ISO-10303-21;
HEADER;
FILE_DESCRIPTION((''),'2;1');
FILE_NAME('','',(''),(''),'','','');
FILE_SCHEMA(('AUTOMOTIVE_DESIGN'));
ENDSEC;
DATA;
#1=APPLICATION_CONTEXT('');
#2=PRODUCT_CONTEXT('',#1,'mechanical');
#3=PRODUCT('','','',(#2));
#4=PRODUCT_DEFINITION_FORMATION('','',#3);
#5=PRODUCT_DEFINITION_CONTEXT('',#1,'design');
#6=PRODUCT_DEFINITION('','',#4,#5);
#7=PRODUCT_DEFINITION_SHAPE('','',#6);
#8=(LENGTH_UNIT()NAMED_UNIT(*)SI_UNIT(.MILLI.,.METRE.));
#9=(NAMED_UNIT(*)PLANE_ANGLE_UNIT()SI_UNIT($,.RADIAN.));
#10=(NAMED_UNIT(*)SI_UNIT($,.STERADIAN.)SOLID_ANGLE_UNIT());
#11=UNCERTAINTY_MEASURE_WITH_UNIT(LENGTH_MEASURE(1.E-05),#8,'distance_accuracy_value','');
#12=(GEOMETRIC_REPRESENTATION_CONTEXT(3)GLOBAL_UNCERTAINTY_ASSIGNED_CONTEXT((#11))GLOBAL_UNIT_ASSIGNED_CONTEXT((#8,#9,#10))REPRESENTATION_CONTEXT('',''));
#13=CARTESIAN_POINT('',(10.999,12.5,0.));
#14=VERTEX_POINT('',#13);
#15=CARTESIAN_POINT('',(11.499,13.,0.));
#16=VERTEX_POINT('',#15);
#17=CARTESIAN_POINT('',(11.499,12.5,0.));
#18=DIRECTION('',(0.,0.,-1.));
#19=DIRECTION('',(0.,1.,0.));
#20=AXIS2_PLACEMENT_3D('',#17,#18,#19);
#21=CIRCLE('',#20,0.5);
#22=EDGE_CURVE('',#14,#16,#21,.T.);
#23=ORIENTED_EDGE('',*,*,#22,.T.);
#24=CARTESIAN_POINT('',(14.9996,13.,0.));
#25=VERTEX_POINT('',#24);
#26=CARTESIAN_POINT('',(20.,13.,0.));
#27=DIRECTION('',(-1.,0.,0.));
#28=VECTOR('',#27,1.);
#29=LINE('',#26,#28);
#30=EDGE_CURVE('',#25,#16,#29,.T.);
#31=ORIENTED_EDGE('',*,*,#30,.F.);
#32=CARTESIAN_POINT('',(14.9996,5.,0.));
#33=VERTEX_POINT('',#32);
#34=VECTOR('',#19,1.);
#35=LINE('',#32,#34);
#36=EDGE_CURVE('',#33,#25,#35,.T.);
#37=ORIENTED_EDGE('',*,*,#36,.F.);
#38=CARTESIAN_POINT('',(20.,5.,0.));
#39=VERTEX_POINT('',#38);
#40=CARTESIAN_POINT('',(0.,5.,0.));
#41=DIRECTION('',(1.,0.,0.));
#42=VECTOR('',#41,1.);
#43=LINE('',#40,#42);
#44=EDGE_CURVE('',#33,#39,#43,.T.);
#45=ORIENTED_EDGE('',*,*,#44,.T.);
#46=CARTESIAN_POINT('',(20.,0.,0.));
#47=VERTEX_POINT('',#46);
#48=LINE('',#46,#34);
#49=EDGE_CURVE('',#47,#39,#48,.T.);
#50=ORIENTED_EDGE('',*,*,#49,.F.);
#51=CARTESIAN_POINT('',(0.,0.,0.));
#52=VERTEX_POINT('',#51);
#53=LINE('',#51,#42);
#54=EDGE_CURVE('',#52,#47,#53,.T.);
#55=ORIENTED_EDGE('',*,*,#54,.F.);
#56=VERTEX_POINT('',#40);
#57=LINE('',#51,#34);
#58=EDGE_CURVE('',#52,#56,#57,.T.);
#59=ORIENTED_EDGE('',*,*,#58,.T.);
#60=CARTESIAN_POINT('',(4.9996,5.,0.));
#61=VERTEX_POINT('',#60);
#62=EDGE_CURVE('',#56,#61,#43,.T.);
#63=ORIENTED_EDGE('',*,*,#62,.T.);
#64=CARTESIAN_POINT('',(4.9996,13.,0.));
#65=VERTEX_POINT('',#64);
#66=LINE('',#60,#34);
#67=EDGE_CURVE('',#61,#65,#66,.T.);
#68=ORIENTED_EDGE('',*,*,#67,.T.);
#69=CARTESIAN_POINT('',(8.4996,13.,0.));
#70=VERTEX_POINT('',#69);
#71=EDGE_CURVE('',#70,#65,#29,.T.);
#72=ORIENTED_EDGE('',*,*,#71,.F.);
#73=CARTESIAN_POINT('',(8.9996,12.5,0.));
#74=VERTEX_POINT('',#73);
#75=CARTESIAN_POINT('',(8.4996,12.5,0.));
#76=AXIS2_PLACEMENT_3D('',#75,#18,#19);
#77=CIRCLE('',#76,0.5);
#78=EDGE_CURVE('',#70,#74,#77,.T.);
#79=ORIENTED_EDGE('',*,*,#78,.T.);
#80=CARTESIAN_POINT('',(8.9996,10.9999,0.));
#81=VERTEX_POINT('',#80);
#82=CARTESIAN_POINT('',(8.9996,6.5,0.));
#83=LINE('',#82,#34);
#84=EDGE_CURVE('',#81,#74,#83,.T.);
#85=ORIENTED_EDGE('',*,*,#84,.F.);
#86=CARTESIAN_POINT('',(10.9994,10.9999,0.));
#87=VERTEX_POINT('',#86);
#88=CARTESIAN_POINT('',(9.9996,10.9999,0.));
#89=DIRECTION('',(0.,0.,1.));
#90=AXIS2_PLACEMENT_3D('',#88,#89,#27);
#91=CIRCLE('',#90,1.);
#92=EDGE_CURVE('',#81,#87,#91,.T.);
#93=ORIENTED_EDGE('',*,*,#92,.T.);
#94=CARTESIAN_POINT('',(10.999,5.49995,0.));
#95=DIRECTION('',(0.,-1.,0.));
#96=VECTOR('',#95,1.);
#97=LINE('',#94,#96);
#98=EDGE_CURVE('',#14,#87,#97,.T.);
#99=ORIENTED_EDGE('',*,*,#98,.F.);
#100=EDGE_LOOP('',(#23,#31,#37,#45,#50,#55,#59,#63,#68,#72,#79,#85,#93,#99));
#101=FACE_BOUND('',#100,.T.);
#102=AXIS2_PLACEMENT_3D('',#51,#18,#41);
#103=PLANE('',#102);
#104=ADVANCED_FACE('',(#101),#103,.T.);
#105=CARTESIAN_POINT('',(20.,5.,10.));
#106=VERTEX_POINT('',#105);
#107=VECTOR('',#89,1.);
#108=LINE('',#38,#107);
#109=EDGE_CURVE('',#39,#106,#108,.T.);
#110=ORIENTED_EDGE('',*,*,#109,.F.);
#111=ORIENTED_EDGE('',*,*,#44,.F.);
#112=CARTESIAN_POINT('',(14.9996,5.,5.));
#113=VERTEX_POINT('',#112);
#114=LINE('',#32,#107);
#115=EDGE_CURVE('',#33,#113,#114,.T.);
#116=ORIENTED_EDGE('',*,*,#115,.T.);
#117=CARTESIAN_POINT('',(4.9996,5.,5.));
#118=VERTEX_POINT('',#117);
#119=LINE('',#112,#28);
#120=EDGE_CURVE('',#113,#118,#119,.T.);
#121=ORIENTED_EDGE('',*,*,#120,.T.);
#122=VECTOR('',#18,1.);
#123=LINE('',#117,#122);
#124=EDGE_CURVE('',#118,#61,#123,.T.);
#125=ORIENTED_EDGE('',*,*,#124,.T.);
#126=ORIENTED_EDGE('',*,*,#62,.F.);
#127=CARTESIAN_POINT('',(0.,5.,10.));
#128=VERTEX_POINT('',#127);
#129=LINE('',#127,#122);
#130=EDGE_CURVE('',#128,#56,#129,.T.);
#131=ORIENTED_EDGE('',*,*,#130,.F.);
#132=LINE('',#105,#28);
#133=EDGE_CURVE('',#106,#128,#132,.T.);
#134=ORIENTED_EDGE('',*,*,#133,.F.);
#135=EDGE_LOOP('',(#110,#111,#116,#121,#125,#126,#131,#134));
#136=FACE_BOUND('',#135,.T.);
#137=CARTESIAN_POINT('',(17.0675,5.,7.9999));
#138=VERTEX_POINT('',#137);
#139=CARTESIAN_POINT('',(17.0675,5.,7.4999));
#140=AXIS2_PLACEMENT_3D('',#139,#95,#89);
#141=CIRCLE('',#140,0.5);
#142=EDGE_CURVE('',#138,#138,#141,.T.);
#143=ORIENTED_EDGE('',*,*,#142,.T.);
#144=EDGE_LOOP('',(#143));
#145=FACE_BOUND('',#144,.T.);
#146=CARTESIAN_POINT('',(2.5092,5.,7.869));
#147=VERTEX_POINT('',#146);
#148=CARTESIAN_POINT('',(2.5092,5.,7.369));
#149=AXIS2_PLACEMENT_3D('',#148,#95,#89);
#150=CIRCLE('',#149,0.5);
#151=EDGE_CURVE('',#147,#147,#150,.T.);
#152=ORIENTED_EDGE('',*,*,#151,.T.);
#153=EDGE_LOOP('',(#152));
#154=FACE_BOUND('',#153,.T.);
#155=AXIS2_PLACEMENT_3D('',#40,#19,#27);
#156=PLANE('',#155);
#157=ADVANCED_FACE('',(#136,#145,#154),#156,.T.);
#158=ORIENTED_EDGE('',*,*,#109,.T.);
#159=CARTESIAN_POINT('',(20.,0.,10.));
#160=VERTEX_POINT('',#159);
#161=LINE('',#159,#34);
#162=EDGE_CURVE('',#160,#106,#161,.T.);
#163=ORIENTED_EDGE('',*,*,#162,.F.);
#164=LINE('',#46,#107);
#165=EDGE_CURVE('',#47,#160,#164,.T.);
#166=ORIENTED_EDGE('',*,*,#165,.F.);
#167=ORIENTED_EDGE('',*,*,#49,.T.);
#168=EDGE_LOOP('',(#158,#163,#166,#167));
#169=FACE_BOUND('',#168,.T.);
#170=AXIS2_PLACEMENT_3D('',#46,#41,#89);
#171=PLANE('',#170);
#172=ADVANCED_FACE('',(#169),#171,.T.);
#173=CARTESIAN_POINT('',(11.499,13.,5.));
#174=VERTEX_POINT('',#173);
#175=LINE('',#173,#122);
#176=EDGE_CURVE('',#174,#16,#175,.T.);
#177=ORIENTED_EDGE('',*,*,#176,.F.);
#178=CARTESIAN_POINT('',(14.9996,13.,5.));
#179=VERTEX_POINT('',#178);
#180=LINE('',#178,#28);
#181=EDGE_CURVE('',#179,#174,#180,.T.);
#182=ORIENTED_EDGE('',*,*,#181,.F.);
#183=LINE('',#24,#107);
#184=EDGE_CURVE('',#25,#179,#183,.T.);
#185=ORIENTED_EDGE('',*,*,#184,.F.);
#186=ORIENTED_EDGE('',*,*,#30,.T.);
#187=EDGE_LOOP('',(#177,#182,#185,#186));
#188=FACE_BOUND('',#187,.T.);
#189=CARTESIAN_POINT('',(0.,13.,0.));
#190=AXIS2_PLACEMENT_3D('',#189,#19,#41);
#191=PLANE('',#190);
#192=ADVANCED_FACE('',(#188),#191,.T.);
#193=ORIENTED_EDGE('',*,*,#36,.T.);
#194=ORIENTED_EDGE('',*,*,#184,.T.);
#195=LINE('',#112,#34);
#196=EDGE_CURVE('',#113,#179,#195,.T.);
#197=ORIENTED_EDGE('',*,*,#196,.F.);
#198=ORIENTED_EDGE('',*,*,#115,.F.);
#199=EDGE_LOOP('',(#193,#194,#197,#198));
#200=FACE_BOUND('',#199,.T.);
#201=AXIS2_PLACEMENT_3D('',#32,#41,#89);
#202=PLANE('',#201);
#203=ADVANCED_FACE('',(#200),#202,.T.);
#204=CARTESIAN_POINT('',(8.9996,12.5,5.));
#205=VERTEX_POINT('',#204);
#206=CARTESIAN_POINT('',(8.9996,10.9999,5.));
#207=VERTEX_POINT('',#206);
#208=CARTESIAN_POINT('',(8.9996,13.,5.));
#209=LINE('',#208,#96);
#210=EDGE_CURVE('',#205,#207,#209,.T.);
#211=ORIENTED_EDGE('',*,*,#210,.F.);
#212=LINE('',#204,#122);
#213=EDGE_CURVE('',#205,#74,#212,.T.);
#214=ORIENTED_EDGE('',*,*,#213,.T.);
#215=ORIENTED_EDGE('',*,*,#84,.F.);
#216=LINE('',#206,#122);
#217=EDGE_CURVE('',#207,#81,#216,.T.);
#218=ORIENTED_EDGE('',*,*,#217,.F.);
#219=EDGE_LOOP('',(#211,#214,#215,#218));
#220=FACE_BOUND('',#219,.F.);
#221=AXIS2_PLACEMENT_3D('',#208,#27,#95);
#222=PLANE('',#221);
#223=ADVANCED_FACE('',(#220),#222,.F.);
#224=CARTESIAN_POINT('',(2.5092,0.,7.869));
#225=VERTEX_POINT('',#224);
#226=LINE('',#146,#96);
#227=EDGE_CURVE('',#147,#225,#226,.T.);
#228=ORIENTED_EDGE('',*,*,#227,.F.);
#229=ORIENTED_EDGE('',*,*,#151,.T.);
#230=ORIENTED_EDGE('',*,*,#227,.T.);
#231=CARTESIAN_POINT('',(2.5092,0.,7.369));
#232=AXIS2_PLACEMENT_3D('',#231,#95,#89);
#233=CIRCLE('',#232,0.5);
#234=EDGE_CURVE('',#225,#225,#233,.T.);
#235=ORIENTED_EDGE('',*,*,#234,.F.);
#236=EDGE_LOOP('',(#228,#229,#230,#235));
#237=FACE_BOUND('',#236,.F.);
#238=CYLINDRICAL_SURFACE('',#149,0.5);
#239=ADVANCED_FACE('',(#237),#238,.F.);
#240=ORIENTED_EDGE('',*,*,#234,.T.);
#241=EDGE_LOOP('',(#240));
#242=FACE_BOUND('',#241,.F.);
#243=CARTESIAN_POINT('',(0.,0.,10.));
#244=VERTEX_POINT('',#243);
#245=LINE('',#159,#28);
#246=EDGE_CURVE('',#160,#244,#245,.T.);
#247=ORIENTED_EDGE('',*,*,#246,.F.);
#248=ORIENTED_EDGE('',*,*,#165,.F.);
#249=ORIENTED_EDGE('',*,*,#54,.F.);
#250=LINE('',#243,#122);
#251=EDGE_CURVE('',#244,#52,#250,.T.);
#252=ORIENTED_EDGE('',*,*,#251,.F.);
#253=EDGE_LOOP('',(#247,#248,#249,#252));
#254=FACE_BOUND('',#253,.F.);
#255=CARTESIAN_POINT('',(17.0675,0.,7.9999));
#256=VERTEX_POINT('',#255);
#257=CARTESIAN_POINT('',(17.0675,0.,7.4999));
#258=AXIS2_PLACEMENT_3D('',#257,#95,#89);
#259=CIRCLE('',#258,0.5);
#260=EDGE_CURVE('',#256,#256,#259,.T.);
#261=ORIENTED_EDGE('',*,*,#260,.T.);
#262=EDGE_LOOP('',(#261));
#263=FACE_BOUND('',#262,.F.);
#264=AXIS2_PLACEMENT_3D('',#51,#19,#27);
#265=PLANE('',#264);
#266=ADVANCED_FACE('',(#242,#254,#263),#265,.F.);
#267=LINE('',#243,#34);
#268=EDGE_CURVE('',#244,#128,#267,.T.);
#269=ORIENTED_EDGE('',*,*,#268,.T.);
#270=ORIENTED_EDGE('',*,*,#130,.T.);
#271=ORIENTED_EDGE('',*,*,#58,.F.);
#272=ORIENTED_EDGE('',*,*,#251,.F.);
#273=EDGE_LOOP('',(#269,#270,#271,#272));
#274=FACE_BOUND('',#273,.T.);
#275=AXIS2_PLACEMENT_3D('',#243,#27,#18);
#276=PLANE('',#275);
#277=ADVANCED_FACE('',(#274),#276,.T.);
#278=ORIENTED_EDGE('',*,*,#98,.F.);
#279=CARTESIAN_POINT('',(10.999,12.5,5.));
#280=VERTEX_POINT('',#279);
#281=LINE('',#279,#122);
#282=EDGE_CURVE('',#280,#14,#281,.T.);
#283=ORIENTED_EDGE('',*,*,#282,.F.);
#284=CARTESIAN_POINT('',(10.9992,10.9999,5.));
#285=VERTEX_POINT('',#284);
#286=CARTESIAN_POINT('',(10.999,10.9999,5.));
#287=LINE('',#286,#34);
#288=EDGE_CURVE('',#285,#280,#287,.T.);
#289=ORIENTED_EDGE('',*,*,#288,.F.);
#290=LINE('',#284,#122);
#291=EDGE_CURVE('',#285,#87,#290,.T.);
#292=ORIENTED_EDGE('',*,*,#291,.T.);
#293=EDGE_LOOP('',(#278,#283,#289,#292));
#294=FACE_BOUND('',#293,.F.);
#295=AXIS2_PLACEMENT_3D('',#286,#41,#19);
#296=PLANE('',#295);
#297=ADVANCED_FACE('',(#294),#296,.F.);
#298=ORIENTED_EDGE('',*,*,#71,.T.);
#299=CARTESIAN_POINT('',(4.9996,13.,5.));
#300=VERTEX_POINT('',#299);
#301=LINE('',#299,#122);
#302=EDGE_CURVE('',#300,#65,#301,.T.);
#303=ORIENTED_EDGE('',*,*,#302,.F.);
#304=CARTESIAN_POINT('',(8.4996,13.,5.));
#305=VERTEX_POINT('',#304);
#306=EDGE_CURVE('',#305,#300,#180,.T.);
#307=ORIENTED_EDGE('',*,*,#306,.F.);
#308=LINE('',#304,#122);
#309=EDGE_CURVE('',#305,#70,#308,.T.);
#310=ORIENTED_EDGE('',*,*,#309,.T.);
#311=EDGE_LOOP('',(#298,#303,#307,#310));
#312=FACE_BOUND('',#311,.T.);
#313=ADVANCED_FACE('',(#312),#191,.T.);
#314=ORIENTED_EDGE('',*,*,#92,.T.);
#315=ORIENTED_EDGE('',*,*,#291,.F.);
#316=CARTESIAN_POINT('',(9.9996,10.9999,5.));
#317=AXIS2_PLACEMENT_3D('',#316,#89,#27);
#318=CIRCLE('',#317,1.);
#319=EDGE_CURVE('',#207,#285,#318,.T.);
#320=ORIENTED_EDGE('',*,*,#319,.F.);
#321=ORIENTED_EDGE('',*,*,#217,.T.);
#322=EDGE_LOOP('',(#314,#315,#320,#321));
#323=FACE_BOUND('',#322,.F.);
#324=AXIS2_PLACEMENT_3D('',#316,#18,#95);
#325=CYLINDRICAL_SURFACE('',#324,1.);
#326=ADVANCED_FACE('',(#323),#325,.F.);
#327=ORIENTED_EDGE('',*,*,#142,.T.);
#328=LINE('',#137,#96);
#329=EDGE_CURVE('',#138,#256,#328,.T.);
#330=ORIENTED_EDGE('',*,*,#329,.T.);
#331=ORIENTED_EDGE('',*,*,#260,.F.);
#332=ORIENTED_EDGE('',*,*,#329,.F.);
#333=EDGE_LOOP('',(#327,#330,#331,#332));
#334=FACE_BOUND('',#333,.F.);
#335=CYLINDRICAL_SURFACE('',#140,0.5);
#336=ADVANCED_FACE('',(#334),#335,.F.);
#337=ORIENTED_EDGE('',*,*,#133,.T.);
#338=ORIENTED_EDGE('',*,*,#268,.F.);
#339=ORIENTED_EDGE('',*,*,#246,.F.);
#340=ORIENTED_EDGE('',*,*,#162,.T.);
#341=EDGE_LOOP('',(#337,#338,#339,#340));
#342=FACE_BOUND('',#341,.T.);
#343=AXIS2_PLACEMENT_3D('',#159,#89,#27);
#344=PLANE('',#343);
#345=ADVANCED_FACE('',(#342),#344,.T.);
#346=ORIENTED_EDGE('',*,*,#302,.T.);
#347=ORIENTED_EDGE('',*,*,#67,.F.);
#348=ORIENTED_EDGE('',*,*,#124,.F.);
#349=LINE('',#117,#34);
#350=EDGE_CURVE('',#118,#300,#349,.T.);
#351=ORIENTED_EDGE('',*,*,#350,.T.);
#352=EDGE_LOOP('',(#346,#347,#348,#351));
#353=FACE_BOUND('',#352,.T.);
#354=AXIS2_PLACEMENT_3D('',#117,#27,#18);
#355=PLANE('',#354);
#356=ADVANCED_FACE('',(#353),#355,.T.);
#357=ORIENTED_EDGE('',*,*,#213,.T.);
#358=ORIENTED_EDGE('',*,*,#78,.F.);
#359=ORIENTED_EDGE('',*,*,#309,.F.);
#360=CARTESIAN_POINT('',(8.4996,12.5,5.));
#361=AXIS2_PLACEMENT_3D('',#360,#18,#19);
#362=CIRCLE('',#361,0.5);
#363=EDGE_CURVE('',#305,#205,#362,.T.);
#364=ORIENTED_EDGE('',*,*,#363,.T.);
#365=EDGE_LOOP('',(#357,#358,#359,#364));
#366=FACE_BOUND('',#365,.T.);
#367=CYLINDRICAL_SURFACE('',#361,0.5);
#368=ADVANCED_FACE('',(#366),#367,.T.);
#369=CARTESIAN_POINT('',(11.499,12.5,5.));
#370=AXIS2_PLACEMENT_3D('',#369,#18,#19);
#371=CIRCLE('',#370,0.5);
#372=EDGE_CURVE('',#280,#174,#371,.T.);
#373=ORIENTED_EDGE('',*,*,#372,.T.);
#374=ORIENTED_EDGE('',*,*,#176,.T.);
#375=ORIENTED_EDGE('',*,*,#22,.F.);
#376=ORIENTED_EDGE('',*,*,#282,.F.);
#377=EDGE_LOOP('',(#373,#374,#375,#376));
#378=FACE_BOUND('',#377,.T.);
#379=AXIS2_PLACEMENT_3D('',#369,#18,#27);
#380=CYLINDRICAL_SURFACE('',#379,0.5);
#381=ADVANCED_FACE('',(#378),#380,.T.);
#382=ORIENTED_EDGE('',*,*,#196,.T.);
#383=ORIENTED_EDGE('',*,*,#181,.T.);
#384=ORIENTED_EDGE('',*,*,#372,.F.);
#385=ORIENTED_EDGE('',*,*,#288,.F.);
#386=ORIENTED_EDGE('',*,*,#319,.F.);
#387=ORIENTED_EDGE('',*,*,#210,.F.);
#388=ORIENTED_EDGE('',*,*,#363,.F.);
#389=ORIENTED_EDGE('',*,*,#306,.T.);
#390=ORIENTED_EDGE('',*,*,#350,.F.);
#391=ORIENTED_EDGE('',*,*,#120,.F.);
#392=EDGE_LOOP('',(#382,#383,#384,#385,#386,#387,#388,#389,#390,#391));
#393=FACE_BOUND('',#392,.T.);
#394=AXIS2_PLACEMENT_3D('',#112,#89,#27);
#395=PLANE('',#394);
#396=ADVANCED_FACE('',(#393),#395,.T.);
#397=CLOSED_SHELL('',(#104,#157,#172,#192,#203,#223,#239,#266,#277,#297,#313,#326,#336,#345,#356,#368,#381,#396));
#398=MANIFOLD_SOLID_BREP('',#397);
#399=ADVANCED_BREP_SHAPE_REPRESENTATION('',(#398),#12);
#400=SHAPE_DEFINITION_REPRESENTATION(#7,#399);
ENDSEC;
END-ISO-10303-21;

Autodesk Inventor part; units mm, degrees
ref_plane "YZ Plane" through (0, 0, 0) normal (1, 0, 0) x (0, 1, 0)
ref_plane "XZ Plane" through (0, 0, 0) normal (0, 1, 0) x (-1, 0, 0)
ref_plane "XY Plane" through (0, 0, 0) normal (0, 0, 1) x (1, 0, 0)
sketch "Sketch1" plane through (0, 0, 0) normal (0, 1, 0) x (-1, 0, 0)
  line L0 (0, 0) -> (-20, 0)
  line L1 (-20, 0) -> (-20, 10)
  line L2 (-20, 10) -> (0, 10)
  line L3 (0, 10) -> (0, 0)
  dimension "d0" = 20
  dimension "d1" = 10
extrude "Extrusion1" add sketch "Sketch1" along normal blind 5
sketch "Sketch2" plane through (0, 5, 0) normal (0, 1, 0) x (1, 0, 0)
  line L0 (20, 0) -> (0, 0) projected
  line L1 (4.9996, 0) -> (14.9996, 0)
  line L2 (14.9996, 0) -> (14.9996, -5)
  line L3 (14.9996, -5) -> (4.9996, -5)
  line L4 (4.9996, -5) -> (4.9996, 0)
  dimension "d4" = 10
  dimension "d5" = 5
extrude "Extrusion2" add sketch "Sketch2" along normal blind 8
sketch "Sketch3" plane through (0, 13, 0) normal (0, 1, 0) x (1, 0, 0)
  point P0 (0, 0)
sketch "Sketch4" plane through (4.9996, 5, 5) normal (0, 0, 1) x (1, 0, 0)
  circle A0 centre (5, 5.9999) radius 1
  point P0 (-4.9996, -5)
  dimension "d8" = 2
hole "Hole1" at (9.9996, 10.9999, 5) direction (0, 0, -1) diameter 2 end through all
sketch "Sketch5" plane through (4.9996, 5, 5) normal (0, 0, 1) x (1, 0, 0)
  circle A0 centre (5, 5.9999) radius 1 projected
  line L0 (10, 8) -> (0, 8) projected
  line L1 (4, 5.9999) -> (5.9994, 5.9999)
  line L2 (5.9994, 5.9999) -> (5.9994, 8)
  line L3 (5.9994, 8) -> (4, 8)
  line L4 (4, 8) -> (4, 5.9999)
  point P0 (-4.9996, -5)
extrude "Extrusion3" cut sketch "Sketch5" against normal blind 5.6375 contours L1 A0 | A0 L4 L0 L2 picked at (5.2495, 6.2209)
sketch "Sketch6" plane through (0, 5, 0) normal (0, 1, 0) x (1, 0, 0)
  circle A0 centre (2.5092, -7.369) radius 0.5
  point P0 (0, 0)
  dimension "d18" = 1
hole "Hole2" at (2.5092, 5, 7.369) direction (0, -1, 0) diameter 1 end through all
sketch "Sketch7" plane through (0, 5, 0) normal (0, 1, 0) x (1, 0, 0)
  circle A0 centre (17.0675, -7.4999) radius 0.5
  point P0 (0, 0)
  dimension "d26" = 1
hole "Hole3" at (17.0675, 5, 7.4999) direction (0, -1, 0) diameter 1 end through all
fillet "Fillet1" radius 0.5 2 edges at (10.999, 13, 2.5) (8.9996, 13, 2.5)
equation "\"d14\" = Thickness"
equation "\"BendRadius\" = Thickness"
equation "\"BendReliefWidth\" = Thickness"
equation "\"BendReliefDepth\" = 0.5 * Thickness"
equation "\"CornerReliefSize\" = 4 * Thickness"
equation "\"MinimumRemnant\" = 2 * Thickness"
equation "\"TransitionRadius\" = BendRadius"
equation "\"JacobiRadiusSize\" = BendRadius"
equation "\"GapSize\" = Thickness"
equation "\"Thickness\" = 3.048"
properties part number "swiatlowod_uchwyt"
